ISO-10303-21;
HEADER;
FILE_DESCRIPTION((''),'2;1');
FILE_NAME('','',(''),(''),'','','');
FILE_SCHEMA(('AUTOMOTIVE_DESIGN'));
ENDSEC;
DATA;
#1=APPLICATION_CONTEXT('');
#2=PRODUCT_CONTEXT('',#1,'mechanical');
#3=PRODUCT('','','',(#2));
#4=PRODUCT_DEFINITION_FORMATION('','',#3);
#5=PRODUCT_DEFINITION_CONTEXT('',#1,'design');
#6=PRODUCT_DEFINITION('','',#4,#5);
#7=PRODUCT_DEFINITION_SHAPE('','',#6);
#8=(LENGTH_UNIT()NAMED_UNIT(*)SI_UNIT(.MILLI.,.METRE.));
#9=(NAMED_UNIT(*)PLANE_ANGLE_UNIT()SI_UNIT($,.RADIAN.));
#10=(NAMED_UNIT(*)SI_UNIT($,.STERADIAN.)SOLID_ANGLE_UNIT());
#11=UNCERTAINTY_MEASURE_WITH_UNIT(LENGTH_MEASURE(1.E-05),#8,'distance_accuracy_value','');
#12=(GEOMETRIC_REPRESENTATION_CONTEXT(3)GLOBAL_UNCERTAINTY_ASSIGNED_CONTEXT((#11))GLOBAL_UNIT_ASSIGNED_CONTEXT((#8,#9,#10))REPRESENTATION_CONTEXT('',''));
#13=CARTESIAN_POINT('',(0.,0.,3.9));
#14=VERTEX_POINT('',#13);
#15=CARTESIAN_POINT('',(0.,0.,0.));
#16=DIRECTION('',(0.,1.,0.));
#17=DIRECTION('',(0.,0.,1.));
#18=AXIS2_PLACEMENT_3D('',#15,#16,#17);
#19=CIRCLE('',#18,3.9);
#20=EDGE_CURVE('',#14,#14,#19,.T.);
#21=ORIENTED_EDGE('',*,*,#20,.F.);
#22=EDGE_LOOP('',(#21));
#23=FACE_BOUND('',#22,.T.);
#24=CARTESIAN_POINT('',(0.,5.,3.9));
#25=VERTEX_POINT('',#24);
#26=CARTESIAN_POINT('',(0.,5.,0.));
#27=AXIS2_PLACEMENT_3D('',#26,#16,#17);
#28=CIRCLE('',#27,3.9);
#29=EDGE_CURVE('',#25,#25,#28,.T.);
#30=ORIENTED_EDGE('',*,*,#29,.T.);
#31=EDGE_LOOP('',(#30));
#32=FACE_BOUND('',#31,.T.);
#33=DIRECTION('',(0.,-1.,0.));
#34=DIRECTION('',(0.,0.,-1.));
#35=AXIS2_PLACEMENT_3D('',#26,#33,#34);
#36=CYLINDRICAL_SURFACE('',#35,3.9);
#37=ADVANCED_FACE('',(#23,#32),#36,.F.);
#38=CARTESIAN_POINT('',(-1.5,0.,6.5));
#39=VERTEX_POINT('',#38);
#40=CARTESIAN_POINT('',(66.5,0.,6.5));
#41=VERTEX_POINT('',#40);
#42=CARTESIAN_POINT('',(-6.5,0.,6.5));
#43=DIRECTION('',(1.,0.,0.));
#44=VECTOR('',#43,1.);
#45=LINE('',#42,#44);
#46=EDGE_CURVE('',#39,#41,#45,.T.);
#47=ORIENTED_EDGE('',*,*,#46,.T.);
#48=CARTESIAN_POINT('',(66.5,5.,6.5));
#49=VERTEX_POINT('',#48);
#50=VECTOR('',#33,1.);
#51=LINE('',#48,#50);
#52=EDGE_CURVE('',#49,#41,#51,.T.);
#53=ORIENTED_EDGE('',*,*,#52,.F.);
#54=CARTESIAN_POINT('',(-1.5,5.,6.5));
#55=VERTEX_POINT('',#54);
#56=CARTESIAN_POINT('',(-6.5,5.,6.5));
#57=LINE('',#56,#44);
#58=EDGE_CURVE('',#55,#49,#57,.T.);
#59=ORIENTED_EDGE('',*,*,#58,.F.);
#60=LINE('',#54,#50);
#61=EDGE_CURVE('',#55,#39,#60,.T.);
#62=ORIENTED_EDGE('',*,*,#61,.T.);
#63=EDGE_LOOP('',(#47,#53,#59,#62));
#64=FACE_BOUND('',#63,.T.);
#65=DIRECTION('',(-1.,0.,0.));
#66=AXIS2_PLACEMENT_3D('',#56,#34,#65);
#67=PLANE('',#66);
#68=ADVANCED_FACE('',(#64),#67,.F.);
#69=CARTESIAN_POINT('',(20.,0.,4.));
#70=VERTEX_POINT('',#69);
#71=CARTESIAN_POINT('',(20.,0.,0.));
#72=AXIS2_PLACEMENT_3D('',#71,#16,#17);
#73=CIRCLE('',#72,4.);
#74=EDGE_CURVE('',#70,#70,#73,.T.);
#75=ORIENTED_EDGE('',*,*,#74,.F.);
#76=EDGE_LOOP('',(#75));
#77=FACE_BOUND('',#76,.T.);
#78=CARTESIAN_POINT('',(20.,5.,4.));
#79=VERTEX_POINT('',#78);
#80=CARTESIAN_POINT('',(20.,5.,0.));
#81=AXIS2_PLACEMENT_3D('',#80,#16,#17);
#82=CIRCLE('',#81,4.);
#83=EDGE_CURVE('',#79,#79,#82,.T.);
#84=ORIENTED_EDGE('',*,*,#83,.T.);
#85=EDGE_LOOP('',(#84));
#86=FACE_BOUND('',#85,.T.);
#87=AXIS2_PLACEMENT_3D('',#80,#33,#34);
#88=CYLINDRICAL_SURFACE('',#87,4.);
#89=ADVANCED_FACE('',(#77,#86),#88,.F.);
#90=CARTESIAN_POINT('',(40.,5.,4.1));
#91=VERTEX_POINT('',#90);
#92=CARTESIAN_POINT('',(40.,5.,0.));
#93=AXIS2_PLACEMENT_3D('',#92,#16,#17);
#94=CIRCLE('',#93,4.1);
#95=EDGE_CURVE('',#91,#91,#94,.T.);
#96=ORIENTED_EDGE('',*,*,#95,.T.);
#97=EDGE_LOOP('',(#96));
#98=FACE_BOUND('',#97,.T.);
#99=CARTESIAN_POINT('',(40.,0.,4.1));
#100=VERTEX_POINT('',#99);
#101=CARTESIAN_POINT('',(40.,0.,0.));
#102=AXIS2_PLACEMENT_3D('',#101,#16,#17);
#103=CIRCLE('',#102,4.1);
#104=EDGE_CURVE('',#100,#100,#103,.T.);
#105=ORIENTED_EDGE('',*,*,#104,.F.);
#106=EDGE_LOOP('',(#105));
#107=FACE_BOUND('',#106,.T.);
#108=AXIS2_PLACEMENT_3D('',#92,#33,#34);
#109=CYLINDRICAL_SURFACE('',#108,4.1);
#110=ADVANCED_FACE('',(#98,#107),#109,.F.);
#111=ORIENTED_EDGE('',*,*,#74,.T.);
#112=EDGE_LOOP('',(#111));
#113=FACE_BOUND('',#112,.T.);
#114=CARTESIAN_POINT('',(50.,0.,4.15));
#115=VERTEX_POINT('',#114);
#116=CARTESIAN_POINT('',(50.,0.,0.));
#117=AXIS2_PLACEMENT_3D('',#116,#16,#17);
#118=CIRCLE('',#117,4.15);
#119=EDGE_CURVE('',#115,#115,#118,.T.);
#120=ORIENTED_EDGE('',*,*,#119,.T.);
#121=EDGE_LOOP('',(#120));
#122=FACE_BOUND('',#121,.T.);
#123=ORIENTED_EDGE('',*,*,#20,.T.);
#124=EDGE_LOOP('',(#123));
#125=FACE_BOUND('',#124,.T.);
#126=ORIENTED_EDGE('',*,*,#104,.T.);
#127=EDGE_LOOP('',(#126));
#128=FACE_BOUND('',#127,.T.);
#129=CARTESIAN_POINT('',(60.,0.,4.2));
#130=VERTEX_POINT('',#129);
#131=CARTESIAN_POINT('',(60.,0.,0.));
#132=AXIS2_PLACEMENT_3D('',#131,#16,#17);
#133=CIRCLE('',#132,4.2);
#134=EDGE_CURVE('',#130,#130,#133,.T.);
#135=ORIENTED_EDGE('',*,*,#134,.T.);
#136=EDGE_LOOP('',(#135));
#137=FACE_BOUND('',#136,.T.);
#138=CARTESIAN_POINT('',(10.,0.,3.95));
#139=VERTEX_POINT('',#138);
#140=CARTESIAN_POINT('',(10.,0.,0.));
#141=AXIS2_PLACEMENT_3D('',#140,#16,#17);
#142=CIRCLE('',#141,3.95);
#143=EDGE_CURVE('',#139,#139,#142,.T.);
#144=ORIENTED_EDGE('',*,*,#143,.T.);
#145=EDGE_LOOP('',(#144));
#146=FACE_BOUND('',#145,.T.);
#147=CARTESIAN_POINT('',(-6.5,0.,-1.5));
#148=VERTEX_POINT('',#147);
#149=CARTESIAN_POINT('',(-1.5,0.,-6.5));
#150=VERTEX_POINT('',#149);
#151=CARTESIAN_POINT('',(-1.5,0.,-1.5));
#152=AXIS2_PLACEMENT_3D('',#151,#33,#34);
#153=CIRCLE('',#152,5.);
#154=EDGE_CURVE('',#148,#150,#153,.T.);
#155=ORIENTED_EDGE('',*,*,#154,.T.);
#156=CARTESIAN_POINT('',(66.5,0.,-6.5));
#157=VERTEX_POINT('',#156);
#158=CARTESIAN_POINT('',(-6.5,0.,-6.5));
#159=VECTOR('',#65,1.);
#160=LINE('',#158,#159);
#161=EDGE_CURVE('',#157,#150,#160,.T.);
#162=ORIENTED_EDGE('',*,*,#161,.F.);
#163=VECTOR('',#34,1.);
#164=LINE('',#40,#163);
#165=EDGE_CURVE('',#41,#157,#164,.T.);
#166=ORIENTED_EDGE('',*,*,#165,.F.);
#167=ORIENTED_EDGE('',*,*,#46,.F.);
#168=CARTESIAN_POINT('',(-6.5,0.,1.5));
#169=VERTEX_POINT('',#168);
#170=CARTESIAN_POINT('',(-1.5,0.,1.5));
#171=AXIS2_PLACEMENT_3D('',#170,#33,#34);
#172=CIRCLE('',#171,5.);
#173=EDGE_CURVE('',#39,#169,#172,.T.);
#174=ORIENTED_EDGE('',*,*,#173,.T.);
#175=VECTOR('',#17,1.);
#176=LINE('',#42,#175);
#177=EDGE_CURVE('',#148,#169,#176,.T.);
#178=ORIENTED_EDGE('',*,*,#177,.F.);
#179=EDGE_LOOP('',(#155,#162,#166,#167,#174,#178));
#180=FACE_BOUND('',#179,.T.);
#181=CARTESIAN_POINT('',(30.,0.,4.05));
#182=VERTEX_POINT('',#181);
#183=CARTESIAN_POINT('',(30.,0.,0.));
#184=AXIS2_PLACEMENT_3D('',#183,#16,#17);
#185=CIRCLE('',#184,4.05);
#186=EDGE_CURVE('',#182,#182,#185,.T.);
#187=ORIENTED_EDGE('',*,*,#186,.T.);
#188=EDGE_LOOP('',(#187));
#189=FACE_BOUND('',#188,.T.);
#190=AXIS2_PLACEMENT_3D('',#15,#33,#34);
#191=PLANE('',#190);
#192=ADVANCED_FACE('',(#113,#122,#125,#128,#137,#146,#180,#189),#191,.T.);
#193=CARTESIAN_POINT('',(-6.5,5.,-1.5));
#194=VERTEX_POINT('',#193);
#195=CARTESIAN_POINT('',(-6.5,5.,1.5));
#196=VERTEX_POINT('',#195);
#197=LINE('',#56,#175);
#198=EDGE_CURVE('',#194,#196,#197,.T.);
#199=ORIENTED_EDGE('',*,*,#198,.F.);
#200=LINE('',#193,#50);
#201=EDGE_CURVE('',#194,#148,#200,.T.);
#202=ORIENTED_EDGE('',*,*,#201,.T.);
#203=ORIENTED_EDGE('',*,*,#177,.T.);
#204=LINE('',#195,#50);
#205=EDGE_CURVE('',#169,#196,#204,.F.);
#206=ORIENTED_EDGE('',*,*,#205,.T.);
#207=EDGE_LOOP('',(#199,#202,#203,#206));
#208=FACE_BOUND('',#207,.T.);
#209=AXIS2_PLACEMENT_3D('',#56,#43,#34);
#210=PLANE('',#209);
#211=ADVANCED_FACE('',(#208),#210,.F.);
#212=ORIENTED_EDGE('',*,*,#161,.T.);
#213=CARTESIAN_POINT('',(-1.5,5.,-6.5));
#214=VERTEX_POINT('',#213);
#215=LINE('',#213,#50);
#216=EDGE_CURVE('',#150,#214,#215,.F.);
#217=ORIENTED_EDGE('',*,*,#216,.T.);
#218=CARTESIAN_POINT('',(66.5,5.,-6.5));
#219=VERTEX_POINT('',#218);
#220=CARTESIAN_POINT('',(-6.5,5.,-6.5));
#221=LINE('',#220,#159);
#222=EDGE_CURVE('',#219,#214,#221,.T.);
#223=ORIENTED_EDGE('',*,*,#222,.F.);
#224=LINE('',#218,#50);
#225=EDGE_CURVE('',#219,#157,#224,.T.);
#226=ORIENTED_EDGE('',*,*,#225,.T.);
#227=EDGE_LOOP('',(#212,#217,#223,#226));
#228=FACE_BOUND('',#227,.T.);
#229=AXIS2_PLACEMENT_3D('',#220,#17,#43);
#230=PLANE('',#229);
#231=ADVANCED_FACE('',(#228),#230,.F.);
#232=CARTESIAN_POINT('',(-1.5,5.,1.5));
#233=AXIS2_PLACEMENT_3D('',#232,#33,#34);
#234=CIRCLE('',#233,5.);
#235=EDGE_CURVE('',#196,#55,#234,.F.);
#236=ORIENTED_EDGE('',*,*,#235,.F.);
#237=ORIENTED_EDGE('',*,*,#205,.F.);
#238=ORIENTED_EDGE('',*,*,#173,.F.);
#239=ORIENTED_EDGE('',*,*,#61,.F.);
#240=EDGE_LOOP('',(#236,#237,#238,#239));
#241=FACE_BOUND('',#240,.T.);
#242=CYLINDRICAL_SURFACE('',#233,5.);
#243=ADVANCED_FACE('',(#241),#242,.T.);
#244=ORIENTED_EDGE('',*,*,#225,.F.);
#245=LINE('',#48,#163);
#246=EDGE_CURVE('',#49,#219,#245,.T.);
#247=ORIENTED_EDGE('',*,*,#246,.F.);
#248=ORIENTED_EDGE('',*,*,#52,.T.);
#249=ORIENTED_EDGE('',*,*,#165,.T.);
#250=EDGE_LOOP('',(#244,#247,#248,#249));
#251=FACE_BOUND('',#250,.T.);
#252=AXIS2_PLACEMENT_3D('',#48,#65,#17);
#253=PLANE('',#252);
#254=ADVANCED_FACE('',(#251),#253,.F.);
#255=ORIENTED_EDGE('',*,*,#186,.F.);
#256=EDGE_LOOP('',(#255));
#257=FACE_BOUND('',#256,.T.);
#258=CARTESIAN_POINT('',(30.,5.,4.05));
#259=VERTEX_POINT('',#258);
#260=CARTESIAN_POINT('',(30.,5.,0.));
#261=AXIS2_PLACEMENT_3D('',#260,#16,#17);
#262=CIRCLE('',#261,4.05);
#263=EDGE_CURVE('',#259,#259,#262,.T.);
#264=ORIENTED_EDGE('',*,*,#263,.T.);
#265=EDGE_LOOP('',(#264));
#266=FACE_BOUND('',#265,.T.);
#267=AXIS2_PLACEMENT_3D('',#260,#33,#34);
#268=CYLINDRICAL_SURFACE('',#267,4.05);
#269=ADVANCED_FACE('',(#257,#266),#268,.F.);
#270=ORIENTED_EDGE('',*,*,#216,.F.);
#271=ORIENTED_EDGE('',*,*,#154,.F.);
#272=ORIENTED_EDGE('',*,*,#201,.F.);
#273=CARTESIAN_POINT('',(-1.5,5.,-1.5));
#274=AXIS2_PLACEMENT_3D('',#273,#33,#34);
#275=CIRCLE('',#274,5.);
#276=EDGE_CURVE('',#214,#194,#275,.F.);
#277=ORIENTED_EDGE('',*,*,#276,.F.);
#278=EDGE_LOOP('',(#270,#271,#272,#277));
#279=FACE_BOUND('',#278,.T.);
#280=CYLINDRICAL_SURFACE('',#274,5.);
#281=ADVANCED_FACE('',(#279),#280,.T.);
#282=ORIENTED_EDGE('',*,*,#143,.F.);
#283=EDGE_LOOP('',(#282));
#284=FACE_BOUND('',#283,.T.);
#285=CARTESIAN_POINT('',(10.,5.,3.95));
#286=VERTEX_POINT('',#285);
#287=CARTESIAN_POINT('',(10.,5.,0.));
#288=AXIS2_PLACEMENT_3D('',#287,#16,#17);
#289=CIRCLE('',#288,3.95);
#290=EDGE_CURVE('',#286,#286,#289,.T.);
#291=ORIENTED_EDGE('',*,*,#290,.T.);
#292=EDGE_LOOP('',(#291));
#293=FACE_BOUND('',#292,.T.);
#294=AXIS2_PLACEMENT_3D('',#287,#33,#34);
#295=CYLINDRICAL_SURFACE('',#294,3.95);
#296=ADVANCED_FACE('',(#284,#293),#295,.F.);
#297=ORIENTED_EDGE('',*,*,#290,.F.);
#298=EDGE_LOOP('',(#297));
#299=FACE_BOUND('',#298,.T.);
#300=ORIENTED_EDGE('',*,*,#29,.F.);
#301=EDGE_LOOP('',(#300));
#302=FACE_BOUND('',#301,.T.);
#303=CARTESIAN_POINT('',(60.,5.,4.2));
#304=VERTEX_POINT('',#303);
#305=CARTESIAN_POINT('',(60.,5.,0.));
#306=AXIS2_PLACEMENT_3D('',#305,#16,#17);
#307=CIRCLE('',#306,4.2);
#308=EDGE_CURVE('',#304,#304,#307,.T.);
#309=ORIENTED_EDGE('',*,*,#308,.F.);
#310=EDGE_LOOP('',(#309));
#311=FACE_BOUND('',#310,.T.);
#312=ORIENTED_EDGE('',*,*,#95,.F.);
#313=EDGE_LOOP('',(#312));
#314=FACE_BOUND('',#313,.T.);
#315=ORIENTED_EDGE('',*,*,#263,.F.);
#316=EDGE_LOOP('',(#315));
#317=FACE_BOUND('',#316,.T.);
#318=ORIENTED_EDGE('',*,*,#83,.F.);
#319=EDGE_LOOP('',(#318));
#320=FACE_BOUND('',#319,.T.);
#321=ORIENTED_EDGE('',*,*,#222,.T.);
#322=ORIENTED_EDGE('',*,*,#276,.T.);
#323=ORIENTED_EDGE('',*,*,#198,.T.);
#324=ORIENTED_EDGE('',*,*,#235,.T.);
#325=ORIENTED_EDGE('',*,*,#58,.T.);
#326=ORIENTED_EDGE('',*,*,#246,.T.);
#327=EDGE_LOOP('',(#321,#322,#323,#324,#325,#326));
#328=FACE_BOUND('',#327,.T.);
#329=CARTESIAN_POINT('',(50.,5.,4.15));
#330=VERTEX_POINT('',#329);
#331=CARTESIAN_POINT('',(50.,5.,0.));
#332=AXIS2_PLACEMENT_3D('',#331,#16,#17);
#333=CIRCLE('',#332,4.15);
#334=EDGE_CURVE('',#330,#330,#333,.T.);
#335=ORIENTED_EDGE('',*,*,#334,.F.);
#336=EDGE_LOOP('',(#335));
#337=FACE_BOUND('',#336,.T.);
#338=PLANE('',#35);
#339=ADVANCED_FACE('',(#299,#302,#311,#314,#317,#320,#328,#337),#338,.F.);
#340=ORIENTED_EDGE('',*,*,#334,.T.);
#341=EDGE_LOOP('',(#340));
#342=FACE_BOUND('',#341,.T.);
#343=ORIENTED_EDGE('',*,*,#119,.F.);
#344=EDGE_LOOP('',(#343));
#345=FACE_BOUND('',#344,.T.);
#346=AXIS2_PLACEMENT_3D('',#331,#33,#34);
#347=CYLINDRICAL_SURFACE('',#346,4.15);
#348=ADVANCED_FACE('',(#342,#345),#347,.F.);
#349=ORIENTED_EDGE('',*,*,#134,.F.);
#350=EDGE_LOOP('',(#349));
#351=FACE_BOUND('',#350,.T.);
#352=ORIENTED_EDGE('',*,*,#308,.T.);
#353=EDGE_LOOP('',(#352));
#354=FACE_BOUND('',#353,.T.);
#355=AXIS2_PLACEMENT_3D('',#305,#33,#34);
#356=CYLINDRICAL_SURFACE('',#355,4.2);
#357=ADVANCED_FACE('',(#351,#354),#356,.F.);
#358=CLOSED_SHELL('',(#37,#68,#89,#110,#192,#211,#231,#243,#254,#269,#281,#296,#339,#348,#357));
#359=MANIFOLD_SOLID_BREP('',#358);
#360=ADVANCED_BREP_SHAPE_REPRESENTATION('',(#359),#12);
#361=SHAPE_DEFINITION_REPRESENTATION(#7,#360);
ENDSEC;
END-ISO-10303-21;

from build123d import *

# Parameters (mm, degrees)
SKETCH2_W           = 73
SKETCH2_H           = 13
SKETCH2_R           = 3.9
SKETCH2_R_2         = 3.95
SKETCH2_R_3         = 4
SKETCH2_R_4         = 4.05
SKETCH2_R_5         = 4.1
SKETCH2_R_6         = 4.15
SKETCH2_R_7         = 4.2
BOSS_EXTRUDE1_DEPTH = 5
FILLET1_R           = 5


with BuildPart() as part:
    # Sketch2 → Boss-Extrude1 (new body)
    with BuildSketch(Plane(origin=(0, 0, 0), x_dir=(1, 0, 0), z_dir=(0, 1, 0))):
        with Locations((30, 0)):
            Rectangle(SKETCH2_W, SKETCH2_H)
        Circle(SKETCH2_R, mode=Mode.SUBTRACT)
        with Locations((10, 0)):
            Circle(SKETCH2_R_2, mode=Mode.SUBTRACT)
        with Locations((20, 0)):
            Circle(SKETCH2_R_3, mode=Mode.SUBTRACT)
        with Locations((30, 0)):
            Circle(SKETCH2_R_4, mode=Mode.SUBTRACT)
        with Locations((40, 0)):
            Circle(SKETCH2_R_5, mode=Mode.SUBTRACT)
        with Locations((50, 0)):
            Circle(SKETCH2_R_6, mode=Mode.SUBTRACT)
        with Locations((60, 0)):
            Circle(SKETCH2_R_7, mode=Mode.SUBTRACT)
    extrude(amount=BOSS_EXTRUDE1_DEPTH)

    # Fillet1
    fillet1_edges = [part.edges().sort_by_distance(p)[0] for p in [
        (-6.5, 2.5, -6.5),
        (-6.5, 2.5, 6.5),
    ]]
    fillet(fillet1_edges, radius=FILLET1_R)


solid = part.part
